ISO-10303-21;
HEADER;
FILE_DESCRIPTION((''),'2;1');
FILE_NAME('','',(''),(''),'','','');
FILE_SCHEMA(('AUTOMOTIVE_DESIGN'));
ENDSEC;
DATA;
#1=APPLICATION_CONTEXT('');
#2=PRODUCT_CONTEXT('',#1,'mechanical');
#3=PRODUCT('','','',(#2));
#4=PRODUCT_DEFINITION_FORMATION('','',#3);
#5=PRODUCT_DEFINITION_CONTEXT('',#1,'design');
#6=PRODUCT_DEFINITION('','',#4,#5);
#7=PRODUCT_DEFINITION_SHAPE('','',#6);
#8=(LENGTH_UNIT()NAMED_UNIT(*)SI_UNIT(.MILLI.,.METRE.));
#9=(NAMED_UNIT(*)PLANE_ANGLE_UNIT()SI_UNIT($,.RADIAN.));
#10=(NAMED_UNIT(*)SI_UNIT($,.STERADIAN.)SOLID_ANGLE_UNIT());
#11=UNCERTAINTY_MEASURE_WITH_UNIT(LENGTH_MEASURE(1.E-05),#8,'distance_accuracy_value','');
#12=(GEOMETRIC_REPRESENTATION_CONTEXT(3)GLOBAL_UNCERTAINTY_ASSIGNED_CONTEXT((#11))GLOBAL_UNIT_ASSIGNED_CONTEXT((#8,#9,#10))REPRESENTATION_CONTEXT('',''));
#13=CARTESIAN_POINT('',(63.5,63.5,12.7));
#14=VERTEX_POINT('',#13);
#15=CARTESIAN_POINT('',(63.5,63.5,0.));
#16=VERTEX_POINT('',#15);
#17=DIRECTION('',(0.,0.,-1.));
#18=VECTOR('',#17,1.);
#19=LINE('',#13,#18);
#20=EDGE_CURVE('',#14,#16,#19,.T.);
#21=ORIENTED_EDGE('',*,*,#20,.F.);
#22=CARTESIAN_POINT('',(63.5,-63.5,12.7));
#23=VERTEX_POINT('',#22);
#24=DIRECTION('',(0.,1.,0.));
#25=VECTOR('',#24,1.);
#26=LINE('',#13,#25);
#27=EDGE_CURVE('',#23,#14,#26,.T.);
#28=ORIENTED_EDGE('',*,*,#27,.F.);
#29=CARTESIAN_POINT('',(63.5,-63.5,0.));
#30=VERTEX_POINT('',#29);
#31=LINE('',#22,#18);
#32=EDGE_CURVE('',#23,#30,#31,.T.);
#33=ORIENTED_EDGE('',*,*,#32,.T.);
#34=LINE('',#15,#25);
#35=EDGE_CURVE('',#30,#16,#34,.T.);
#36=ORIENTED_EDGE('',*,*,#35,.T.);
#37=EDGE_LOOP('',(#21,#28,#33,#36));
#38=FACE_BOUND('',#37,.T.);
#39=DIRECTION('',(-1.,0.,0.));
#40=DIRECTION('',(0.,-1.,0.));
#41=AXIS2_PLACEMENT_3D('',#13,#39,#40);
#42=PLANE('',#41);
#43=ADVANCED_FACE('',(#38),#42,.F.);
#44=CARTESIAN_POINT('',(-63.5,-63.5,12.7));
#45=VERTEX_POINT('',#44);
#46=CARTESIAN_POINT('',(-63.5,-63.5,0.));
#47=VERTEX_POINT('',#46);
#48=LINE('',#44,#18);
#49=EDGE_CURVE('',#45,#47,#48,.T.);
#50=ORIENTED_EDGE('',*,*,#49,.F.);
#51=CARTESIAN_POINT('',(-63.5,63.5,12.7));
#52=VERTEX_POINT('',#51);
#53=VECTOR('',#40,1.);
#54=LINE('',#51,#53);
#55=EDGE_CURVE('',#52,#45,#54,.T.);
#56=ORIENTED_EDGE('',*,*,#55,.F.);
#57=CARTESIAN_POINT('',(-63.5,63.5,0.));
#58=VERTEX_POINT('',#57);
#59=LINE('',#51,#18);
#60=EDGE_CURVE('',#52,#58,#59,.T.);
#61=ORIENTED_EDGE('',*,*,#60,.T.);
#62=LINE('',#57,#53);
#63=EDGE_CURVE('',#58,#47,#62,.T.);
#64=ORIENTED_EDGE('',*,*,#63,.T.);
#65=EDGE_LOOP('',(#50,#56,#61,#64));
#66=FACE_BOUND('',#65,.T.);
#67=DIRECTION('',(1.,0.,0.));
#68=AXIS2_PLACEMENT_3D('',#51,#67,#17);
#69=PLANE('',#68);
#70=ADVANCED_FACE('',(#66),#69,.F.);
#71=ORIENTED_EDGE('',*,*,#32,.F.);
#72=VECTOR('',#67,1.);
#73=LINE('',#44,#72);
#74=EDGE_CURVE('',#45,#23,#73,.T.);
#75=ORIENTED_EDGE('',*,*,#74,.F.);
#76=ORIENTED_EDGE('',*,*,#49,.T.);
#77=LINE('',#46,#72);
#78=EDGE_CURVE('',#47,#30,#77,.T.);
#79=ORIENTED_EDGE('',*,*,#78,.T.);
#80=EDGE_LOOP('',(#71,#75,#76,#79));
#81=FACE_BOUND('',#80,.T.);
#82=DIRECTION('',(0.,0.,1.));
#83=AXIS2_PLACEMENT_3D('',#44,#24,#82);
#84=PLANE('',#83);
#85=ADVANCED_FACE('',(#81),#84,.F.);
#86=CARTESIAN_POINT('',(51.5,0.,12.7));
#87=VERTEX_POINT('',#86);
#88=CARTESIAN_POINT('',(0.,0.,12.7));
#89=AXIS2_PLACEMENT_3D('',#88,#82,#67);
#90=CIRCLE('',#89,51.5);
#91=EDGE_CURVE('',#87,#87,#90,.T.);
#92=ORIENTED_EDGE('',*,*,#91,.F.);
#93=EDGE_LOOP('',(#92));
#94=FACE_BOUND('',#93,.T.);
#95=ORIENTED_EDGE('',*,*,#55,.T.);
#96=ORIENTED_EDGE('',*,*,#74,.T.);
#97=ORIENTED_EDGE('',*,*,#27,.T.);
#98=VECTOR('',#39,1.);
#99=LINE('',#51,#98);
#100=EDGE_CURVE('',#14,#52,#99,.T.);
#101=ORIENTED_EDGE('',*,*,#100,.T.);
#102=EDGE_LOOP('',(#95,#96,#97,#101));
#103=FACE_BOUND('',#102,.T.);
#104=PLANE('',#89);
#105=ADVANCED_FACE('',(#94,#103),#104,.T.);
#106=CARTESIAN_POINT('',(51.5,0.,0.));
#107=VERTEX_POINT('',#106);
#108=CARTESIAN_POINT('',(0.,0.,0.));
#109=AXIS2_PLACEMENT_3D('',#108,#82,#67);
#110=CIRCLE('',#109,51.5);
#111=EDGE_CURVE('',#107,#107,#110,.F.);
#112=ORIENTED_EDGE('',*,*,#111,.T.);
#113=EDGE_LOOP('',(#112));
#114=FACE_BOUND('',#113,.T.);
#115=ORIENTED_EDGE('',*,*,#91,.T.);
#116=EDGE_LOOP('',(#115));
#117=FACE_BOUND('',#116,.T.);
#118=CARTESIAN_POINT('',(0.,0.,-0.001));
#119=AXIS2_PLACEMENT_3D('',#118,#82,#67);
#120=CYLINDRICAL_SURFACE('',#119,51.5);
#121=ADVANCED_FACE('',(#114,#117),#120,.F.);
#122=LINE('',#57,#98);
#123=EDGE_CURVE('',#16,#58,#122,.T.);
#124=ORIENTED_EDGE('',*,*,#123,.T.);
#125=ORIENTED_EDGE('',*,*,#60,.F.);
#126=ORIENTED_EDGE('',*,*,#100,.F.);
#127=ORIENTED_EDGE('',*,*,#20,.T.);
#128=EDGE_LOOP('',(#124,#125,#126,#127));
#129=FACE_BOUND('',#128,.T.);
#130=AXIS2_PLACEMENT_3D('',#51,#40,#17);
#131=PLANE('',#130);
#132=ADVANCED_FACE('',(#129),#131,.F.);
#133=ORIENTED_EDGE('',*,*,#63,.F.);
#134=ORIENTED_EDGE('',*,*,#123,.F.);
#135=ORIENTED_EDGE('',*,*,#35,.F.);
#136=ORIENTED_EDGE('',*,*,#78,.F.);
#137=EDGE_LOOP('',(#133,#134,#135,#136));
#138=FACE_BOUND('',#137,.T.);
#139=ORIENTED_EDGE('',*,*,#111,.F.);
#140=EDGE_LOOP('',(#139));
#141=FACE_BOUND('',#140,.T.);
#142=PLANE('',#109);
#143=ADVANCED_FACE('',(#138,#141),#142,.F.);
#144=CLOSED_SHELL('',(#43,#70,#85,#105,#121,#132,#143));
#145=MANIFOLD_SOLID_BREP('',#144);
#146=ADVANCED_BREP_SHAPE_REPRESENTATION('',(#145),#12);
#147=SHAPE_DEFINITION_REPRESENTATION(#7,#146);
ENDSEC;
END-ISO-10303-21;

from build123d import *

# Parameters (mm, degrees)
SKETCH1_W           = 127
SKETCH1_H           = 127
BOSS_EXTRUDE1_DEPTH = 12.7
CUT_EXTRUDE1_REACH  = 14.7
SKETCH2_R           = 51.5


with BuildPart() as part:
    # Sketch1 → Boss-Extrude1 (new body)
    with BuildSketch(Plane.XY):
        Rectangle(SKETCH1_W, SKETCH1_H)
    extrude(amount=BOSS_EXTRUDE1_DEPTH)

    # Sketch2 → Cut-Extrude1 (cut, up to next)
    with BuildSketch(Plane.XY.offset(12.7), mode=Mode.PRIVATE) as cut_extrude1_sk1:
        Circle(SKETCH2_R)
    cut_extrude1_tool1 = extrude(cut_extrude1_sk1.sketch, amount=-CUT_EXTRUDE1_REACH, mode=Mode.PRIVATE) & part.part
    add(cut_extrude1_tool1.solids().sort_by_distance((0, 0, 12.7))[0], mode=Mode.SUBTRACT)


solid = part.part
